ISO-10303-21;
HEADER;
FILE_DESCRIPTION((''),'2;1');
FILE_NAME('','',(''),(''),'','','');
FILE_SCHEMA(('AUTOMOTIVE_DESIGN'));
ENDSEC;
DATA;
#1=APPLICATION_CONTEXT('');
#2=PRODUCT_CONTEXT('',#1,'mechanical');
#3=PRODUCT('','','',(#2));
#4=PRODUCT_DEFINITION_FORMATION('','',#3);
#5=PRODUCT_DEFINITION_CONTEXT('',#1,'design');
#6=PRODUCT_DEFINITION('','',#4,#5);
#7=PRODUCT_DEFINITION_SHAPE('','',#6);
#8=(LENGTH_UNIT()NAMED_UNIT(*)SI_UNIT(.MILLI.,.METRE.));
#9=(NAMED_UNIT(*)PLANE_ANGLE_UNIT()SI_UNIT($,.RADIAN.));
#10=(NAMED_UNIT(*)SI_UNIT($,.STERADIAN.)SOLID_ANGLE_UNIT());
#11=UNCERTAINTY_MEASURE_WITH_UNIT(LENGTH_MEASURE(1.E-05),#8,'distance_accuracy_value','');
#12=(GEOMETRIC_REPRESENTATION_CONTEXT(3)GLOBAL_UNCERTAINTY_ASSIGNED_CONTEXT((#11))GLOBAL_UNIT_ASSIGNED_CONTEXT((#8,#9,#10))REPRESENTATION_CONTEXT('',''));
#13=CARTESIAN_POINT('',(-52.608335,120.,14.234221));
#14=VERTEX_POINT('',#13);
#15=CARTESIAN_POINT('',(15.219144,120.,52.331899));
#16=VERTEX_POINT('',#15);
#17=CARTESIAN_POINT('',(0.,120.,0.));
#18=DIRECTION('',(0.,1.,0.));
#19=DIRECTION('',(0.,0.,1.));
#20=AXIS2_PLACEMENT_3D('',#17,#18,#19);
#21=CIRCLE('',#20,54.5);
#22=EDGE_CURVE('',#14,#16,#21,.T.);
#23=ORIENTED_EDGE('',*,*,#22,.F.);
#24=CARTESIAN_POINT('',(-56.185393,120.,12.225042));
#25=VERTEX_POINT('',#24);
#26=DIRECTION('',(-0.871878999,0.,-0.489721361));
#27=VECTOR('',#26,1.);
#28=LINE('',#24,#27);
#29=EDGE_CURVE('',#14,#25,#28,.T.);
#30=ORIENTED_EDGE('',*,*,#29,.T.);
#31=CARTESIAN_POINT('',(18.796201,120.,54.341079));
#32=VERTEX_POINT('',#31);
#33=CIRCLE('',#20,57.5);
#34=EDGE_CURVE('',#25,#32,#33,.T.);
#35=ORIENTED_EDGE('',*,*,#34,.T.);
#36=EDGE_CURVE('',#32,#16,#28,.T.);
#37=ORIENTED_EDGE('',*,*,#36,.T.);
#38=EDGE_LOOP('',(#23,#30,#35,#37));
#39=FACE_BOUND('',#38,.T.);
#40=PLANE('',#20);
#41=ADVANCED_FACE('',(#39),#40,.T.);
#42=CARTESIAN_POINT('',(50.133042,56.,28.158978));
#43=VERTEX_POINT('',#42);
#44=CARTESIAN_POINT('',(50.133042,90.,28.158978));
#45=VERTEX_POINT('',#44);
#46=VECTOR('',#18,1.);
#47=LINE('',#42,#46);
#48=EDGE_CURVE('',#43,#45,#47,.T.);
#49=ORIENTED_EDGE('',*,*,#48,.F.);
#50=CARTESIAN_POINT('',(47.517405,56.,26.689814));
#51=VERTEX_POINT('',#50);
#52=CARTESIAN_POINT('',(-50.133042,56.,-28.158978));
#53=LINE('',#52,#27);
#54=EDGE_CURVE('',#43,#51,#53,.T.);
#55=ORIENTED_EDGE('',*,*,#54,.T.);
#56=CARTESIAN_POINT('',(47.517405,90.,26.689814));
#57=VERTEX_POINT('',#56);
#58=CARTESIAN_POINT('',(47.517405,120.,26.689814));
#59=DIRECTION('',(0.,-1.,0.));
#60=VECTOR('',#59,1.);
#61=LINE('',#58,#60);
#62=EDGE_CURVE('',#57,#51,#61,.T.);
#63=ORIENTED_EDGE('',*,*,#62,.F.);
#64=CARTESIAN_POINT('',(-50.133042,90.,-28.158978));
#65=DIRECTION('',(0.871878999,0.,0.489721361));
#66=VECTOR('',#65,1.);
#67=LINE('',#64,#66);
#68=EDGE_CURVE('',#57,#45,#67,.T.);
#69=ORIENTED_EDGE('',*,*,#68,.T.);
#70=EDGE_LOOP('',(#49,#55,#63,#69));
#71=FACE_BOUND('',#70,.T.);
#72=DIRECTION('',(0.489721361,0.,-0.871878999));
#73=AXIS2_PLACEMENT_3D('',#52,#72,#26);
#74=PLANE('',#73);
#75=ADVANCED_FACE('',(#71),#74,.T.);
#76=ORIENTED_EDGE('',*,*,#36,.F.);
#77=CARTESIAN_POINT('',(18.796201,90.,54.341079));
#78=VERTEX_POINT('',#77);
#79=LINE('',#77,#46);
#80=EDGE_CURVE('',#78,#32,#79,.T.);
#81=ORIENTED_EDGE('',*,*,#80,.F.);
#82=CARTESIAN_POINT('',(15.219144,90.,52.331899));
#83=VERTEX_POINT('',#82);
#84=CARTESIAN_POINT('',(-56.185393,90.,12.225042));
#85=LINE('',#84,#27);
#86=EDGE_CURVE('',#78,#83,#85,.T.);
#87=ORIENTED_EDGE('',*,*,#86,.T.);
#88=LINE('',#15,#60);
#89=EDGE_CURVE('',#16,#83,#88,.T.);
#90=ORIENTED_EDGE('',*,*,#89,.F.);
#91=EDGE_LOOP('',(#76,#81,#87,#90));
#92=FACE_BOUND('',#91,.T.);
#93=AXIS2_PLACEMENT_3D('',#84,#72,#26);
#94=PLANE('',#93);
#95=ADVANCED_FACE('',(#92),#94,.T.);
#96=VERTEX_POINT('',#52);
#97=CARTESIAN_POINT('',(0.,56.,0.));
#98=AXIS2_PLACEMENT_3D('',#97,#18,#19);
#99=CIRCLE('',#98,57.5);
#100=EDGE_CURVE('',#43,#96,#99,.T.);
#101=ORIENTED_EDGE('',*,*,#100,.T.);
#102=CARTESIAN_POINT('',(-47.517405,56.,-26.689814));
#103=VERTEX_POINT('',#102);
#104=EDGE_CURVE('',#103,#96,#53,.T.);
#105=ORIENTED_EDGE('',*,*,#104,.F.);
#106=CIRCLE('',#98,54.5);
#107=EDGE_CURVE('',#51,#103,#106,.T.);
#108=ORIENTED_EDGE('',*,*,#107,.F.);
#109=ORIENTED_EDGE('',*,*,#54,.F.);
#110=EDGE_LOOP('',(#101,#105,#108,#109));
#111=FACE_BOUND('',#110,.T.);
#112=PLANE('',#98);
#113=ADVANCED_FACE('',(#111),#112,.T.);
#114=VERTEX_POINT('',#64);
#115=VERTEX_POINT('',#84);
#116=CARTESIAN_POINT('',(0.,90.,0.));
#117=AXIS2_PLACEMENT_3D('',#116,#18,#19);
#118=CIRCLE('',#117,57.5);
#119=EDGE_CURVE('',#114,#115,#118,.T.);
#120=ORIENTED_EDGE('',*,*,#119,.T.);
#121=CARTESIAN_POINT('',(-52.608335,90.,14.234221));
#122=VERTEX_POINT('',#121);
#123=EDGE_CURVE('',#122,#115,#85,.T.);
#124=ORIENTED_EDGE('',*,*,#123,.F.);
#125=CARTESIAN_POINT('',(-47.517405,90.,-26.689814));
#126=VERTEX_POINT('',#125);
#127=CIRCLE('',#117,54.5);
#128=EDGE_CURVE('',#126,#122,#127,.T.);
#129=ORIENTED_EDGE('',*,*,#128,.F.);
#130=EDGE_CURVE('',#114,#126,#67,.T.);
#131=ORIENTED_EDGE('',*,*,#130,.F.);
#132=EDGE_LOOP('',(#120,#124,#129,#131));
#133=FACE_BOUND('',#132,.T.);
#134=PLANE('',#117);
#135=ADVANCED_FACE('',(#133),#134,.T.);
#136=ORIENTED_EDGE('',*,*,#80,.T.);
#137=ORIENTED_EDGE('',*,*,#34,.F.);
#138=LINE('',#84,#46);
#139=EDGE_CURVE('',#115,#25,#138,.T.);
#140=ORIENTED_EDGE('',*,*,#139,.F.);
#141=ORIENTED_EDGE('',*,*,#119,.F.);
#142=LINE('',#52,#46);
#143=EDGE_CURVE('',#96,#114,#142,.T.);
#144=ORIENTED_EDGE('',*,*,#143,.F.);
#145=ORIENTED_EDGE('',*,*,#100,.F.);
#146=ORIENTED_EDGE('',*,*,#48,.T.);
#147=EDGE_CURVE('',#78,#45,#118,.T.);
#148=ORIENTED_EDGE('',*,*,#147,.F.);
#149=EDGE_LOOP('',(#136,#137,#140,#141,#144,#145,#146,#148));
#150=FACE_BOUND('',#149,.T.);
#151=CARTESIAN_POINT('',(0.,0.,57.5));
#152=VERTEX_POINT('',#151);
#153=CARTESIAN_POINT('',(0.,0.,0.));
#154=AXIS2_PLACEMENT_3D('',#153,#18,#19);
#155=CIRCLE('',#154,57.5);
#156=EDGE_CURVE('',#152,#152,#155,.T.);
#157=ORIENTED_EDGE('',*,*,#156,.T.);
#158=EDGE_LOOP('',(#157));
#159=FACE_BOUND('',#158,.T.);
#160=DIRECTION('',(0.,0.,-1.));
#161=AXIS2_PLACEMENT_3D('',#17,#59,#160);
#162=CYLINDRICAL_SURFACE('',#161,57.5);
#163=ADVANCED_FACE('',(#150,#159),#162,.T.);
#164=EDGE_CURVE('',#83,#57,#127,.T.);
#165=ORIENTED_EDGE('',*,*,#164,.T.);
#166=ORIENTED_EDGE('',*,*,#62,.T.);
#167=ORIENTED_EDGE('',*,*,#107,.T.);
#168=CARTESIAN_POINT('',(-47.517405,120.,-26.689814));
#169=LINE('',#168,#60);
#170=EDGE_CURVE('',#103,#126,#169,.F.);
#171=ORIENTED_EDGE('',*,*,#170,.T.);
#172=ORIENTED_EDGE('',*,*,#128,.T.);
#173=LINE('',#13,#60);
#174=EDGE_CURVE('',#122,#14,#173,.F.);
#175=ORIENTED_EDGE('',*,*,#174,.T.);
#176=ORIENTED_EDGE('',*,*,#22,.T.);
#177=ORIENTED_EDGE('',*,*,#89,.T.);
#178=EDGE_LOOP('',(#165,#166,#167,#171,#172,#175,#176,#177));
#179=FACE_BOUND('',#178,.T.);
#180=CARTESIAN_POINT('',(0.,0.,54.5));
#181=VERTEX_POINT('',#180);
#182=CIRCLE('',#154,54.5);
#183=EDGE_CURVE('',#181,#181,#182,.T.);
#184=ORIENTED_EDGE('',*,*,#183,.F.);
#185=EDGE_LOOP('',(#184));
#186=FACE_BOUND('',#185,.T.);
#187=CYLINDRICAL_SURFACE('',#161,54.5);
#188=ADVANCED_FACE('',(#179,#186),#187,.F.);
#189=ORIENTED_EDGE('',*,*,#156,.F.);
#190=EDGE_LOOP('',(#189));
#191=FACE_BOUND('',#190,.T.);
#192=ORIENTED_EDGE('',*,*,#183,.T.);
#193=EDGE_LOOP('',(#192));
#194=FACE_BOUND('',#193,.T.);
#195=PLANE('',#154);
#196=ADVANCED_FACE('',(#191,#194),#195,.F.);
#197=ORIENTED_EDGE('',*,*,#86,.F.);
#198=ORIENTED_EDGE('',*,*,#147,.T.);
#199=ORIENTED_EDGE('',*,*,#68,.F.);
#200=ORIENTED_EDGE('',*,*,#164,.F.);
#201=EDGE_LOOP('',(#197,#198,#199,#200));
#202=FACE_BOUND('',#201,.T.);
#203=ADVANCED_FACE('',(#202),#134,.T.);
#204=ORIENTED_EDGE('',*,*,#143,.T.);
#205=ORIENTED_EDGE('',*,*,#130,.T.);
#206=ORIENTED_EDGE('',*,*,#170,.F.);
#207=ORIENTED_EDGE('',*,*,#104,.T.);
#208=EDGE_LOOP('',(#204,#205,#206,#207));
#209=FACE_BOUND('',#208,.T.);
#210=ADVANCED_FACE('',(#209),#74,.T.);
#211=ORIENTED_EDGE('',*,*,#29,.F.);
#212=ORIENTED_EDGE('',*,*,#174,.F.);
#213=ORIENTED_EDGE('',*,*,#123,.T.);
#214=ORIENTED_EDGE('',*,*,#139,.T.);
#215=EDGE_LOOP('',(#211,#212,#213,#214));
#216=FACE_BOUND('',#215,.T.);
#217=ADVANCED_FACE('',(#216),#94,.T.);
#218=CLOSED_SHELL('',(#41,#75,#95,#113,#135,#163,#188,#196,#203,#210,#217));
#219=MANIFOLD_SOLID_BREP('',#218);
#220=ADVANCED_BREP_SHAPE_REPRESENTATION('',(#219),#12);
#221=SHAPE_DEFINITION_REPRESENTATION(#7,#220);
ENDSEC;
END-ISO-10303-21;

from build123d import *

# Parameters (mm, degrees)
SKETCH1_R           = 57.5
SKETCH1_R_2         = 54.5
BOSS_EXTRUDE1_DEPTH = 120
SKETCH4_OUTSIDE_W   = 157.422
SKETCH4_OUTSIDE_H   = 157.422
CUT_EXTRUDE1_DEPTH  = 64
SKETCH5_OUTSIDE_W   = 157.422
SKETCH5_OUTSIDE_H   = 157.422
CUT_EXTRUDE2_DEPTH  = 30


with BuildPart() as part:
    # Sketch1 → Boss-Extrude1 (new body)
    with BuildSketch(Plane(origin=(0, 0, 0), x_dir=(1, 0, 0), z_dir=(0, 1, 0))):
        with Locations(Location((0, 0, 0), (0, 0, 270))):
            Circle(SKETCH1_R)
        with Locations(Location((0, 0, 0), (0, 0, 270))):
            Circle(SKETCH1_R_2, mode=Mode.SUBTRACT)
    extrude(amount=BOSS_EXTRUDE1_DEPTH)

    # Sketch4 outside → Cut-Extrude1 (cut)
    with BuildSketch(Plane(origin=(0, 120, 0), x_dir=(1, 0, 0), z_dir=(0, 1, 0))):
        Rectangle(SKETCH4_OUTSIDE_W, SKETCH4_OUTSIDE_H)
        with BuildLine():
            Line((-50.133042419, 28.158978281), (50.133042419, -28.158978281))
            ThreePointArc((50.133042419, -28.158978281), (-28.158978281, -50.133042419), (-50.133042419, 28.158978281))
        make_face(mode=Mode.SUBTRACT)
    extrude(amount=-CUT_EXTRUDE1_DEPTH, mode=Mode.SUBTRACT)

    # Sketch5 outside → Cut-Extrude2 (cut)
    with BuildSketch(Plane(origin=(0, 120, 0), x_dir=(1, 0, 0), z_dir=(0, 1, 0))):
        Rectangle(SKETCH5_OUTSIDE_W, SKETCH5_OUTSIDE_H)
        with BuildLine():
            Line((-56.185392762, -12.22504152), (18.796201116, -54.341078602))
            ThreePointArc((18.796201116, -54.341078602), (-28.158978281, -50.133042419), (-56.185392762, -12.22504152))
        make_face(mode=Mode.SUBTRACT)
    extrude(amount=-CUT_EXTRUDE2_DEPTH, mode=Mode.SUBTRACT)


solid = part.part
